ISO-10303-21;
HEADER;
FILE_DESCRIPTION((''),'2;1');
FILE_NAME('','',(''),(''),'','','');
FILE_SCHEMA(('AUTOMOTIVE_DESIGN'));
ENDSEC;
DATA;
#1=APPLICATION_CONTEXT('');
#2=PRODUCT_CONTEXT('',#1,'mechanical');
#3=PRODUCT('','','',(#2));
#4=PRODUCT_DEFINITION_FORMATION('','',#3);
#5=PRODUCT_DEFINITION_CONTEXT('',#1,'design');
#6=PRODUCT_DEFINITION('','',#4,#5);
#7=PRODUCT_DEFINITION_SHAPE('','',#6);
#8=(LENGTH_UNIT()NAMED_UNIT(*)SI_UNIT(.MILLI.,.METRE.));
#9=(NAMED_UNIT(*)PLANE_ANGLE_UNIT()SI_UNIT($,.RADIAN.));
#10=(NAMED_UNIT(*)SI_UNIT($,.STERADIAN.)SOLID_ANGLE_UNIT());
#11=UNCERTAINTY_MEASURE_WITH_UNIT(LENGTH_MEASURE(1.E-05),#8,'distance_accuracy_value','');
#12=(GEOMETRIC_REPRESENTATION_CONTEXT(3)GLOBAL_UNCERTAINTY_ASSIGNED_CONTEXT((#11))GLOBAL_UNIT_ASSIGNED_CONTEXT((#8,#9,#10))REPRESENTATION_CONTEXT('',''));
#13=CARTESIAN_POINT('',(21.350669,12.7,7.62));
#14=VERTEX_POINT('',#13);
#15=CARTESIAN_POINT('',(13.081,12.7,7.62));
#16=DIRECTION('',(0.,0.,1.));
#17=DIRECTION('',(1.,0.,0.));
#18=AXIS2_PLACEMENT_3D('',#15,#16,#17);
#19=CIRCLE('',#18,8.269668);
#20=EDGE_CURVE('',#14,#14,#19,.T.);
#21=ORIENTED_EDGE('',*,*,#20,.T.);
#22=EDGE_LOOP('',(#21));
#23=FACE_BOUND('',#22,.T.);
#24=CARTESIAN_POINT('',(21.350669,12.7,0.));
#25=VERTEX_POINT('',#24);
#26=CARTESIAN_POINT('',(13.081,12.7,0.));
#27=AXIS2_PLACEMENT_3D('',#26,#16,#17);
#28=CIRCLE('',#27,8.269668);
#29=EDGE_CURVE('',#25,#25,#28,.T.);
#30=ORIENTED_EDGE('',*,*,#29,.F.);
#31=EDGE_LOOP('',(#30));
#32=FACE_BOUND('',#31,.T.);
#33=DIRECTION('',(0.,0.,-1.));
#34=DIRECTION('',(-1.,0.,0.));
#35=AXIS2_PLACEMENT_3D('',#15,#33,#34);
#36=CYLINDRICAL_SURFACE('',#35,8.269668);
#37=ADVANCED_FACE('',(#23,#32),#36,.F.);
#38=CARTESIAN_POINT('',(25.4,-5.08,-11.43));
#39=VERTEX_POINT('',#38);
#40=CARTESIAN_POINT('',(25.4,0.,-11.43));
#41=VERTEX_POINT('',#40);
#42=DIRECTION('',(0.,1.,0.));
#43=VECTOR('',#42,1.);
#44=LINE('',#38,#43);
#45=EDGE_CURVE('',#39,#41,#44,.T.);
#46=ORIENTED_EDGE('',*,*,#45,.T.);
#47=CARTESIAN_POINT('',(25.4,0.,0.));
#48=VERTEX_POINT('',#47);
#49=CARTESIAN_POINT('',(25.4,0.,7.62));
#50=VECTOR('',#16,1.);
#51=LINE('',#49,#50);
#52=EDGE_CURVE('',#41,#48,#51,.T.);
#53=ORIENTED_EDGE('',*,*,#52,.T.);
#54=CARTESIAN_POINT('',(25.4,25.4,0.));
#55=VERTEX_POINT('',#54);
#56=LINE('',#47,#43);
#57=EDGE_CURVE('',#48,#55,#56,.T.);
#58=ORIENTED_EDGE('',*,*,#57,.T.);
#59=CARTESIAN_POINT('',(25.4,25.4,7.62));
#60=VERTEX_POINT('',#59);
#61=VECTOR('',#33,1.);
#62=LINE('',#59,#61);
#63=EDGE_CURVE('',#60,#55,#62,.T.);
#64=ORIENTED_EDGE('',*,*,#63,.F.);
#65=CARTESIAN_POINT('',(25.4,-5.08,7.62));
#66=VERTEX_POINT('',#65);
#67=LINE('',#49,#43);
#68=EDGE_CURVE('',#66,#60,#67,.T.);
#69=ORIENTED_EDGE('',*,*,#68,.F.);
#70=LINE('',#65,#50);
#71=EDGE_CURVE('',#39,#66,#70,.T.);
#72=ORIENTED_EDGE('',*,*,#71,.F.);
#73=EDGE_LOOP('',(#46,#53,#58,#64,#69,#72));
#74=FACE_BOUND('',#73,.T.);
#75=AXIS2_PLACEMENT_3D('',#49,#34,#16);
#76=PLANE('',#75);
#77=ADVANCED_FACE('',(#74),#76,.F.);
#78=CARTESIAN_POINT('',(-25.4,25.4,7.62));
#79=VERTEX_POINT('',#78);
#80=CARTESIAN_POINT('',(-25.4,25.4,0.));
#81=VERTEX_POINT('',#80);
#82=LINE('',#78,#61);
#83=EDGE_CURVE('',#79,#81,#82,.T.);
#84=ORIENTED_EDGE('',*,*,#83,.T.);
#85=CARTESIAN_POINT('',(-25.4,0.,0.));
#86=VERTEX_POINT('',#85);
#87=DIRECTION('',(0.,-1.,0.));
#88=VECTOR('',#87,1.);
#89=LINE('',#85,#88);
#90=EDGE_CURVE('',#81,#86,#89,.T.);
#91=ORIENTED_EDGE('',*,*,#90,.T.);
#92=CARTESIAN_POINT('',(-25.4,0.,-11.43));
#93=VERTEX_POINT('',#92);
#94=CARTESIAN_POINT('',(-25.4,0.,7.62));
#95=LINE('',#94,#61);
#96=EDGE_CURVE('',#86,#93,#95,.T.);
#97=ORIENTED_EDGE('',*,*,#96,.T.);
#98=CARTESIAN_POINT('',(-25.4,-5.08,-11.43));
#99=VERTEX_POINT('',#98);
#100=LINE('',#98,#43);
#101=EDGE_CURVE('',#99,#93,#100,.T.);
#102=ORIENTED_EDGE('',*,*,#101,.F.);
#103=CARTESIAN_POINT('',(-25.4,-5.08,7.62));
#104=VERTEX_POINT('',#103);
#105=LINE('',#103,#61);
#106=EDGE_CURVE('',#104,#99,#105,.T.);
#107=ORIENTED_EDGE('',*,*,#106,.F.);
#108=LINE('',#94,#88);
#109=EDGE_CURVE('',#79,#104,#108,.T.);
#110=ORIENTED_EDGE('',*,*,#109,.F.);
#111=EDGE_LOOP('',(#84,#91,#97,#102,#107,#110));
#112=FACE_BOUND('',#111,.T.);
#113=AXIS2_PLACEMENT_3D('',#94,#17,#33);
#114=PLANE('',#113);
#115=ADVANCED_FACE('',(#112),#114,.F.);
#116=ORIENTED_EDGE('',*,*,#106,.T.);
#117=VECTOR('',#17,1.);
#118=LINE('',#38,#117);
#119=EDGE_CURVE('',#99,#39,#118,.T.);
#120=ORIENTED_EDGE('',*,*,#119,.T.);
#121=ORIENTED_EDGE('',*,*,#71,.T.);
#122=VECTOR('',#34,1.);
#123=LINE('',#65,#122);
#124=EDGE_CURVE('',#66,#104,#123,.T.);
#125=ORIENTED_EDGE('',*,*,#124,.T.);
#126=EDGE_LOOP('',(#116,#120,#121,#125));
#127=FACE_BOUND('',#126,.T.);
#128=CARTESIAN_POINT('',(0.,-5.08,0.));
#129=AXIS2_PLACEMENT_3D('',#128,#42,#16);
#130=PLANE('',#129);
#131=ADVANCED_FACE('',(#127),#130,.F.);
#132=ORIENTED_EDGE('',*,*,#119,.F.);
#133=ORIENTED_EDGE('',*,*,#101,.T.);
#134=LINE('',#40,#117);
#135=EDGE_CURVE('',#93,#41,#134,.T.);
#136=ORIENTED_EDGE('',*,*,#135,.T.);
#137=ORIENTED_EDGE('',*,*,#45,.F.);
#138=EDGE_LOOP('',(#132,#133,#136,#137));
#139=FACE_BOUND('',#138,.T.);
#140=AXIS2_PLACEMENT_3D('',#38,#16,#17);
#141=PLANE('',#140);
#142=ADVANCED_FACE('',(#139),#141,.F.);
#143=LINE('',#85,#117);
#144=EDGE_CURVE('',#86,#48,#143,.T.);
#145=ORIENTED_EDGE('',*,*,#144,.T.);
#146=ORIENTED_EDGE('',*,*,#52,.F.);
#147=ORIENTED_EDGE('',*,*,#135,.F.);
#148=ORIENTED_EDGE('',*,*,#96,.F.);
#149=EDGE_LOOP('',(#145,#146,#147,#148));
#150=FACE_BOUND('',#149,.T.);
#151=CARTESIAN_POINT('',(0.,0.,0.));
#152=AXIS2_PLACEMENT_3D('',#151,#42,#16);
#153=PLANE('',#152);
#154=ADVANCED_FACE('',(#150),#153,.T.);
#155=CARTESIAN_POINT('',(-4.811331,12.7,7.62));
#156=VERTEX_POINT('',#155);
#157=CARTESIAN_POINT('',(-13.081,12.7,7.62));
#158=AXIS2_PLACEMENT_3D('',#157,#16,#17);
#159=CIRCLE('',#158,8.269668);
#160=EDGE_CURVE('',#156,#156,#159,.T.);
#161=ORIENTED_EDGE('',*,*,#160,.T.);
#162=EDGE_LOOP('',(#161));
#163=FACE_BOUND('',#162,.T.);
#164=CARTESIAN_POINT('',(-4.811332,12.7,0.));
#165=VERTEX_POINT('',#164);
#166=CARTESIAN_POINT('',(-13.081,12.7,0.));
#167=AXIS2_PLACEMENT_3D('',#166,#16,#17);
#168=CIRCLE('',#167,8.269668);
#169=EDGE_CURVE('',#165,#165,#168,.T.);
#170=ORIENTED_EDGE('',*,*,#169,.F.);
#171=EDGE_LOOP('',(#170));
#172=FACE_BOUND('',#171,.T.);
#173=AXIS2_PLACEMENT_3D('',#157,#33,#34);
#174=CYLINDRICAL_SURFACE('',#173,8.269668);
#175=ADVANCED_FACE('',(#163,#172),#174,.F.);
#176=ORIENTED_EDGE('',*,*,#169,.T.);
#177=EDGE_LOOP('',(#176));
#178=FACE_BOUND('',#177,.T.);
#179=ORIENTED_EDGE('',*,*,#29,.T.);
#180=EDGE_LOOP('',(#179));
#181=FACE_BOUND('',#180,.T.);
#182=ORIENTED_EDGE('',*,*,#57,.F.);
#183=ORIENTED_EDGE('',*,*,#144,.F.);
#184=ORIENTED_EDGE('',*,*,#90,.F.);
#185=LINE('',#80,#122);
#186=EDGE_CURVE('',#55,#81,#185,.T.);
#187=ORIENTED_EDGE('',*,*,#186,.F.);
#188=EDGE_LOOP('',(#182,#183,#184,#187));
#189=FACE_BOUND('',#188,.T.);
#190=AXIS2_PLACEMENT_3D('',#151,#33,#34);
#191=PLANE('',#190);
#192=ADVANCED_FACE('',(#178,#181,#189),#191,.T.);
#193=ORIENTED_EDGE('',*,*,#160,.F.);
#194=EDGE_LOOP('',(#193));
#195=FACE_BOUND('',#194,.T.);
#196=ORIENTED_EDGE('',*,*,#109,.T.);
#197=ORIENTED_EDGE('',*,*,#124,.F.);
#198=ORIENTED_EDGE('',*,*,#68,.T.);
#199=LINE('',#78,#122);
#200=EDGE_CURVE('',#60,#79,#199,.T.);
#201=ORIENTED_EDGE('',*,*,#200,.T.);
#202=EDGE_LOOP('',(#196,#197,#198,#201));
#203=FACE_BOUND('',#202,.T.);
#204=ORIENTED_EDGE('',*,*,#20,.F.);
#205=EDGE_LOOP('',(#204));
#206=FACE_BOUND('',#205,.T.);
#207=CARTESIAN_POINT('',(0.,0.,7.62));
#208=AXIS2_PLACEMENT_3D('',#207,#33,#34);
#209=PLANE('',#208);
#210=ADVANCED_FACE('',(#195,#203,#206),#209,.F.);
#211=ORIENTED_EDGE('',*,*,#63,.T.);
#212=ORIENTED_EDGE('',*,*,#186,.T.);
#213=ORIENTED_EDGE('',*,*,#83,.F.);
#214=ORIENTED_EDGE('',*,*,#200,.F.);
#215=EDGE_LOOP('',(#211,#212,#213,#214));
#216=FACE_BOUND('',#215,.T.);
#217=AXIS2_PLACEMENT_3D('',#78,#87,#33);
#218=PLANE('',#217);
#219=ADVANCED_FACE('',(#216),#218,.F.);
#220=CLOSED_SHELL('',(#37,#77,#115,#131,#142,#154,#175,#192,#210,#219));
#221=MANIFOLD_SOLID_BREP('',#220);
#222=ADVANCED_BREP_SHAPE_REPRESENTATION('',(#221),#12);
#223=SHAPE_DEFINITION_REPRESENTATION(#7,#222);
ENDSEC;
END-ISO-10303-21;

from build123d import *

# Parameters (mm, degrees)
SKETCH12_W          = 50.8
SKETCH12_H          = 25.4
BOSS_EXTRUDE1_DEPTH = 7.62
SKETCH11_R          = 8.2696685
CUT_EXTRUDE2_DEPTH  = 8.62
SKETCH14_W          = 50.8
SKETCH14_H          = 19.05
BOSS_EXTRUDE2_DEPTH = 5.08


with BuildPart() as part:
    # Sketch12 → Boss-Extrude1 (new body)
    with BuildSketch(Plane.XY):
        with Locations((0, 12.7)):
            Rectangle(SKETCH12_W, SKETCH12_H)
    extrude(amount=BOSS_EXTRUDE1_DEPTH)

    # Sketch11 → Cut-Extrude2 (cut, through all)
    with BuildSketch(Plane.XY):
        with Locations((13.081, 12.7)):
            Circle(SKETCH11_R)
        with Locations((-13.081, 12.7)):
            Circle(SKETCH11_R)
    extrude(amount=CUT_EXTRUDE2_DEPTH, mode=Mode.SUBTRACT)

    # Sketch14 → Boss-Extrude2 (add)
    with BuildSketch(Plane(origin=(0, 0, 0), x_dir=(-1, 0, 0), z_dir=(0, -1, 0))):
        with Locations((0, 1.905)):
            Rectangle(SKETCH14_W, SKETCH14_H)
    extrude(amount=BOSS_EXTRUDE2_DEPTH)


solid = part.part
